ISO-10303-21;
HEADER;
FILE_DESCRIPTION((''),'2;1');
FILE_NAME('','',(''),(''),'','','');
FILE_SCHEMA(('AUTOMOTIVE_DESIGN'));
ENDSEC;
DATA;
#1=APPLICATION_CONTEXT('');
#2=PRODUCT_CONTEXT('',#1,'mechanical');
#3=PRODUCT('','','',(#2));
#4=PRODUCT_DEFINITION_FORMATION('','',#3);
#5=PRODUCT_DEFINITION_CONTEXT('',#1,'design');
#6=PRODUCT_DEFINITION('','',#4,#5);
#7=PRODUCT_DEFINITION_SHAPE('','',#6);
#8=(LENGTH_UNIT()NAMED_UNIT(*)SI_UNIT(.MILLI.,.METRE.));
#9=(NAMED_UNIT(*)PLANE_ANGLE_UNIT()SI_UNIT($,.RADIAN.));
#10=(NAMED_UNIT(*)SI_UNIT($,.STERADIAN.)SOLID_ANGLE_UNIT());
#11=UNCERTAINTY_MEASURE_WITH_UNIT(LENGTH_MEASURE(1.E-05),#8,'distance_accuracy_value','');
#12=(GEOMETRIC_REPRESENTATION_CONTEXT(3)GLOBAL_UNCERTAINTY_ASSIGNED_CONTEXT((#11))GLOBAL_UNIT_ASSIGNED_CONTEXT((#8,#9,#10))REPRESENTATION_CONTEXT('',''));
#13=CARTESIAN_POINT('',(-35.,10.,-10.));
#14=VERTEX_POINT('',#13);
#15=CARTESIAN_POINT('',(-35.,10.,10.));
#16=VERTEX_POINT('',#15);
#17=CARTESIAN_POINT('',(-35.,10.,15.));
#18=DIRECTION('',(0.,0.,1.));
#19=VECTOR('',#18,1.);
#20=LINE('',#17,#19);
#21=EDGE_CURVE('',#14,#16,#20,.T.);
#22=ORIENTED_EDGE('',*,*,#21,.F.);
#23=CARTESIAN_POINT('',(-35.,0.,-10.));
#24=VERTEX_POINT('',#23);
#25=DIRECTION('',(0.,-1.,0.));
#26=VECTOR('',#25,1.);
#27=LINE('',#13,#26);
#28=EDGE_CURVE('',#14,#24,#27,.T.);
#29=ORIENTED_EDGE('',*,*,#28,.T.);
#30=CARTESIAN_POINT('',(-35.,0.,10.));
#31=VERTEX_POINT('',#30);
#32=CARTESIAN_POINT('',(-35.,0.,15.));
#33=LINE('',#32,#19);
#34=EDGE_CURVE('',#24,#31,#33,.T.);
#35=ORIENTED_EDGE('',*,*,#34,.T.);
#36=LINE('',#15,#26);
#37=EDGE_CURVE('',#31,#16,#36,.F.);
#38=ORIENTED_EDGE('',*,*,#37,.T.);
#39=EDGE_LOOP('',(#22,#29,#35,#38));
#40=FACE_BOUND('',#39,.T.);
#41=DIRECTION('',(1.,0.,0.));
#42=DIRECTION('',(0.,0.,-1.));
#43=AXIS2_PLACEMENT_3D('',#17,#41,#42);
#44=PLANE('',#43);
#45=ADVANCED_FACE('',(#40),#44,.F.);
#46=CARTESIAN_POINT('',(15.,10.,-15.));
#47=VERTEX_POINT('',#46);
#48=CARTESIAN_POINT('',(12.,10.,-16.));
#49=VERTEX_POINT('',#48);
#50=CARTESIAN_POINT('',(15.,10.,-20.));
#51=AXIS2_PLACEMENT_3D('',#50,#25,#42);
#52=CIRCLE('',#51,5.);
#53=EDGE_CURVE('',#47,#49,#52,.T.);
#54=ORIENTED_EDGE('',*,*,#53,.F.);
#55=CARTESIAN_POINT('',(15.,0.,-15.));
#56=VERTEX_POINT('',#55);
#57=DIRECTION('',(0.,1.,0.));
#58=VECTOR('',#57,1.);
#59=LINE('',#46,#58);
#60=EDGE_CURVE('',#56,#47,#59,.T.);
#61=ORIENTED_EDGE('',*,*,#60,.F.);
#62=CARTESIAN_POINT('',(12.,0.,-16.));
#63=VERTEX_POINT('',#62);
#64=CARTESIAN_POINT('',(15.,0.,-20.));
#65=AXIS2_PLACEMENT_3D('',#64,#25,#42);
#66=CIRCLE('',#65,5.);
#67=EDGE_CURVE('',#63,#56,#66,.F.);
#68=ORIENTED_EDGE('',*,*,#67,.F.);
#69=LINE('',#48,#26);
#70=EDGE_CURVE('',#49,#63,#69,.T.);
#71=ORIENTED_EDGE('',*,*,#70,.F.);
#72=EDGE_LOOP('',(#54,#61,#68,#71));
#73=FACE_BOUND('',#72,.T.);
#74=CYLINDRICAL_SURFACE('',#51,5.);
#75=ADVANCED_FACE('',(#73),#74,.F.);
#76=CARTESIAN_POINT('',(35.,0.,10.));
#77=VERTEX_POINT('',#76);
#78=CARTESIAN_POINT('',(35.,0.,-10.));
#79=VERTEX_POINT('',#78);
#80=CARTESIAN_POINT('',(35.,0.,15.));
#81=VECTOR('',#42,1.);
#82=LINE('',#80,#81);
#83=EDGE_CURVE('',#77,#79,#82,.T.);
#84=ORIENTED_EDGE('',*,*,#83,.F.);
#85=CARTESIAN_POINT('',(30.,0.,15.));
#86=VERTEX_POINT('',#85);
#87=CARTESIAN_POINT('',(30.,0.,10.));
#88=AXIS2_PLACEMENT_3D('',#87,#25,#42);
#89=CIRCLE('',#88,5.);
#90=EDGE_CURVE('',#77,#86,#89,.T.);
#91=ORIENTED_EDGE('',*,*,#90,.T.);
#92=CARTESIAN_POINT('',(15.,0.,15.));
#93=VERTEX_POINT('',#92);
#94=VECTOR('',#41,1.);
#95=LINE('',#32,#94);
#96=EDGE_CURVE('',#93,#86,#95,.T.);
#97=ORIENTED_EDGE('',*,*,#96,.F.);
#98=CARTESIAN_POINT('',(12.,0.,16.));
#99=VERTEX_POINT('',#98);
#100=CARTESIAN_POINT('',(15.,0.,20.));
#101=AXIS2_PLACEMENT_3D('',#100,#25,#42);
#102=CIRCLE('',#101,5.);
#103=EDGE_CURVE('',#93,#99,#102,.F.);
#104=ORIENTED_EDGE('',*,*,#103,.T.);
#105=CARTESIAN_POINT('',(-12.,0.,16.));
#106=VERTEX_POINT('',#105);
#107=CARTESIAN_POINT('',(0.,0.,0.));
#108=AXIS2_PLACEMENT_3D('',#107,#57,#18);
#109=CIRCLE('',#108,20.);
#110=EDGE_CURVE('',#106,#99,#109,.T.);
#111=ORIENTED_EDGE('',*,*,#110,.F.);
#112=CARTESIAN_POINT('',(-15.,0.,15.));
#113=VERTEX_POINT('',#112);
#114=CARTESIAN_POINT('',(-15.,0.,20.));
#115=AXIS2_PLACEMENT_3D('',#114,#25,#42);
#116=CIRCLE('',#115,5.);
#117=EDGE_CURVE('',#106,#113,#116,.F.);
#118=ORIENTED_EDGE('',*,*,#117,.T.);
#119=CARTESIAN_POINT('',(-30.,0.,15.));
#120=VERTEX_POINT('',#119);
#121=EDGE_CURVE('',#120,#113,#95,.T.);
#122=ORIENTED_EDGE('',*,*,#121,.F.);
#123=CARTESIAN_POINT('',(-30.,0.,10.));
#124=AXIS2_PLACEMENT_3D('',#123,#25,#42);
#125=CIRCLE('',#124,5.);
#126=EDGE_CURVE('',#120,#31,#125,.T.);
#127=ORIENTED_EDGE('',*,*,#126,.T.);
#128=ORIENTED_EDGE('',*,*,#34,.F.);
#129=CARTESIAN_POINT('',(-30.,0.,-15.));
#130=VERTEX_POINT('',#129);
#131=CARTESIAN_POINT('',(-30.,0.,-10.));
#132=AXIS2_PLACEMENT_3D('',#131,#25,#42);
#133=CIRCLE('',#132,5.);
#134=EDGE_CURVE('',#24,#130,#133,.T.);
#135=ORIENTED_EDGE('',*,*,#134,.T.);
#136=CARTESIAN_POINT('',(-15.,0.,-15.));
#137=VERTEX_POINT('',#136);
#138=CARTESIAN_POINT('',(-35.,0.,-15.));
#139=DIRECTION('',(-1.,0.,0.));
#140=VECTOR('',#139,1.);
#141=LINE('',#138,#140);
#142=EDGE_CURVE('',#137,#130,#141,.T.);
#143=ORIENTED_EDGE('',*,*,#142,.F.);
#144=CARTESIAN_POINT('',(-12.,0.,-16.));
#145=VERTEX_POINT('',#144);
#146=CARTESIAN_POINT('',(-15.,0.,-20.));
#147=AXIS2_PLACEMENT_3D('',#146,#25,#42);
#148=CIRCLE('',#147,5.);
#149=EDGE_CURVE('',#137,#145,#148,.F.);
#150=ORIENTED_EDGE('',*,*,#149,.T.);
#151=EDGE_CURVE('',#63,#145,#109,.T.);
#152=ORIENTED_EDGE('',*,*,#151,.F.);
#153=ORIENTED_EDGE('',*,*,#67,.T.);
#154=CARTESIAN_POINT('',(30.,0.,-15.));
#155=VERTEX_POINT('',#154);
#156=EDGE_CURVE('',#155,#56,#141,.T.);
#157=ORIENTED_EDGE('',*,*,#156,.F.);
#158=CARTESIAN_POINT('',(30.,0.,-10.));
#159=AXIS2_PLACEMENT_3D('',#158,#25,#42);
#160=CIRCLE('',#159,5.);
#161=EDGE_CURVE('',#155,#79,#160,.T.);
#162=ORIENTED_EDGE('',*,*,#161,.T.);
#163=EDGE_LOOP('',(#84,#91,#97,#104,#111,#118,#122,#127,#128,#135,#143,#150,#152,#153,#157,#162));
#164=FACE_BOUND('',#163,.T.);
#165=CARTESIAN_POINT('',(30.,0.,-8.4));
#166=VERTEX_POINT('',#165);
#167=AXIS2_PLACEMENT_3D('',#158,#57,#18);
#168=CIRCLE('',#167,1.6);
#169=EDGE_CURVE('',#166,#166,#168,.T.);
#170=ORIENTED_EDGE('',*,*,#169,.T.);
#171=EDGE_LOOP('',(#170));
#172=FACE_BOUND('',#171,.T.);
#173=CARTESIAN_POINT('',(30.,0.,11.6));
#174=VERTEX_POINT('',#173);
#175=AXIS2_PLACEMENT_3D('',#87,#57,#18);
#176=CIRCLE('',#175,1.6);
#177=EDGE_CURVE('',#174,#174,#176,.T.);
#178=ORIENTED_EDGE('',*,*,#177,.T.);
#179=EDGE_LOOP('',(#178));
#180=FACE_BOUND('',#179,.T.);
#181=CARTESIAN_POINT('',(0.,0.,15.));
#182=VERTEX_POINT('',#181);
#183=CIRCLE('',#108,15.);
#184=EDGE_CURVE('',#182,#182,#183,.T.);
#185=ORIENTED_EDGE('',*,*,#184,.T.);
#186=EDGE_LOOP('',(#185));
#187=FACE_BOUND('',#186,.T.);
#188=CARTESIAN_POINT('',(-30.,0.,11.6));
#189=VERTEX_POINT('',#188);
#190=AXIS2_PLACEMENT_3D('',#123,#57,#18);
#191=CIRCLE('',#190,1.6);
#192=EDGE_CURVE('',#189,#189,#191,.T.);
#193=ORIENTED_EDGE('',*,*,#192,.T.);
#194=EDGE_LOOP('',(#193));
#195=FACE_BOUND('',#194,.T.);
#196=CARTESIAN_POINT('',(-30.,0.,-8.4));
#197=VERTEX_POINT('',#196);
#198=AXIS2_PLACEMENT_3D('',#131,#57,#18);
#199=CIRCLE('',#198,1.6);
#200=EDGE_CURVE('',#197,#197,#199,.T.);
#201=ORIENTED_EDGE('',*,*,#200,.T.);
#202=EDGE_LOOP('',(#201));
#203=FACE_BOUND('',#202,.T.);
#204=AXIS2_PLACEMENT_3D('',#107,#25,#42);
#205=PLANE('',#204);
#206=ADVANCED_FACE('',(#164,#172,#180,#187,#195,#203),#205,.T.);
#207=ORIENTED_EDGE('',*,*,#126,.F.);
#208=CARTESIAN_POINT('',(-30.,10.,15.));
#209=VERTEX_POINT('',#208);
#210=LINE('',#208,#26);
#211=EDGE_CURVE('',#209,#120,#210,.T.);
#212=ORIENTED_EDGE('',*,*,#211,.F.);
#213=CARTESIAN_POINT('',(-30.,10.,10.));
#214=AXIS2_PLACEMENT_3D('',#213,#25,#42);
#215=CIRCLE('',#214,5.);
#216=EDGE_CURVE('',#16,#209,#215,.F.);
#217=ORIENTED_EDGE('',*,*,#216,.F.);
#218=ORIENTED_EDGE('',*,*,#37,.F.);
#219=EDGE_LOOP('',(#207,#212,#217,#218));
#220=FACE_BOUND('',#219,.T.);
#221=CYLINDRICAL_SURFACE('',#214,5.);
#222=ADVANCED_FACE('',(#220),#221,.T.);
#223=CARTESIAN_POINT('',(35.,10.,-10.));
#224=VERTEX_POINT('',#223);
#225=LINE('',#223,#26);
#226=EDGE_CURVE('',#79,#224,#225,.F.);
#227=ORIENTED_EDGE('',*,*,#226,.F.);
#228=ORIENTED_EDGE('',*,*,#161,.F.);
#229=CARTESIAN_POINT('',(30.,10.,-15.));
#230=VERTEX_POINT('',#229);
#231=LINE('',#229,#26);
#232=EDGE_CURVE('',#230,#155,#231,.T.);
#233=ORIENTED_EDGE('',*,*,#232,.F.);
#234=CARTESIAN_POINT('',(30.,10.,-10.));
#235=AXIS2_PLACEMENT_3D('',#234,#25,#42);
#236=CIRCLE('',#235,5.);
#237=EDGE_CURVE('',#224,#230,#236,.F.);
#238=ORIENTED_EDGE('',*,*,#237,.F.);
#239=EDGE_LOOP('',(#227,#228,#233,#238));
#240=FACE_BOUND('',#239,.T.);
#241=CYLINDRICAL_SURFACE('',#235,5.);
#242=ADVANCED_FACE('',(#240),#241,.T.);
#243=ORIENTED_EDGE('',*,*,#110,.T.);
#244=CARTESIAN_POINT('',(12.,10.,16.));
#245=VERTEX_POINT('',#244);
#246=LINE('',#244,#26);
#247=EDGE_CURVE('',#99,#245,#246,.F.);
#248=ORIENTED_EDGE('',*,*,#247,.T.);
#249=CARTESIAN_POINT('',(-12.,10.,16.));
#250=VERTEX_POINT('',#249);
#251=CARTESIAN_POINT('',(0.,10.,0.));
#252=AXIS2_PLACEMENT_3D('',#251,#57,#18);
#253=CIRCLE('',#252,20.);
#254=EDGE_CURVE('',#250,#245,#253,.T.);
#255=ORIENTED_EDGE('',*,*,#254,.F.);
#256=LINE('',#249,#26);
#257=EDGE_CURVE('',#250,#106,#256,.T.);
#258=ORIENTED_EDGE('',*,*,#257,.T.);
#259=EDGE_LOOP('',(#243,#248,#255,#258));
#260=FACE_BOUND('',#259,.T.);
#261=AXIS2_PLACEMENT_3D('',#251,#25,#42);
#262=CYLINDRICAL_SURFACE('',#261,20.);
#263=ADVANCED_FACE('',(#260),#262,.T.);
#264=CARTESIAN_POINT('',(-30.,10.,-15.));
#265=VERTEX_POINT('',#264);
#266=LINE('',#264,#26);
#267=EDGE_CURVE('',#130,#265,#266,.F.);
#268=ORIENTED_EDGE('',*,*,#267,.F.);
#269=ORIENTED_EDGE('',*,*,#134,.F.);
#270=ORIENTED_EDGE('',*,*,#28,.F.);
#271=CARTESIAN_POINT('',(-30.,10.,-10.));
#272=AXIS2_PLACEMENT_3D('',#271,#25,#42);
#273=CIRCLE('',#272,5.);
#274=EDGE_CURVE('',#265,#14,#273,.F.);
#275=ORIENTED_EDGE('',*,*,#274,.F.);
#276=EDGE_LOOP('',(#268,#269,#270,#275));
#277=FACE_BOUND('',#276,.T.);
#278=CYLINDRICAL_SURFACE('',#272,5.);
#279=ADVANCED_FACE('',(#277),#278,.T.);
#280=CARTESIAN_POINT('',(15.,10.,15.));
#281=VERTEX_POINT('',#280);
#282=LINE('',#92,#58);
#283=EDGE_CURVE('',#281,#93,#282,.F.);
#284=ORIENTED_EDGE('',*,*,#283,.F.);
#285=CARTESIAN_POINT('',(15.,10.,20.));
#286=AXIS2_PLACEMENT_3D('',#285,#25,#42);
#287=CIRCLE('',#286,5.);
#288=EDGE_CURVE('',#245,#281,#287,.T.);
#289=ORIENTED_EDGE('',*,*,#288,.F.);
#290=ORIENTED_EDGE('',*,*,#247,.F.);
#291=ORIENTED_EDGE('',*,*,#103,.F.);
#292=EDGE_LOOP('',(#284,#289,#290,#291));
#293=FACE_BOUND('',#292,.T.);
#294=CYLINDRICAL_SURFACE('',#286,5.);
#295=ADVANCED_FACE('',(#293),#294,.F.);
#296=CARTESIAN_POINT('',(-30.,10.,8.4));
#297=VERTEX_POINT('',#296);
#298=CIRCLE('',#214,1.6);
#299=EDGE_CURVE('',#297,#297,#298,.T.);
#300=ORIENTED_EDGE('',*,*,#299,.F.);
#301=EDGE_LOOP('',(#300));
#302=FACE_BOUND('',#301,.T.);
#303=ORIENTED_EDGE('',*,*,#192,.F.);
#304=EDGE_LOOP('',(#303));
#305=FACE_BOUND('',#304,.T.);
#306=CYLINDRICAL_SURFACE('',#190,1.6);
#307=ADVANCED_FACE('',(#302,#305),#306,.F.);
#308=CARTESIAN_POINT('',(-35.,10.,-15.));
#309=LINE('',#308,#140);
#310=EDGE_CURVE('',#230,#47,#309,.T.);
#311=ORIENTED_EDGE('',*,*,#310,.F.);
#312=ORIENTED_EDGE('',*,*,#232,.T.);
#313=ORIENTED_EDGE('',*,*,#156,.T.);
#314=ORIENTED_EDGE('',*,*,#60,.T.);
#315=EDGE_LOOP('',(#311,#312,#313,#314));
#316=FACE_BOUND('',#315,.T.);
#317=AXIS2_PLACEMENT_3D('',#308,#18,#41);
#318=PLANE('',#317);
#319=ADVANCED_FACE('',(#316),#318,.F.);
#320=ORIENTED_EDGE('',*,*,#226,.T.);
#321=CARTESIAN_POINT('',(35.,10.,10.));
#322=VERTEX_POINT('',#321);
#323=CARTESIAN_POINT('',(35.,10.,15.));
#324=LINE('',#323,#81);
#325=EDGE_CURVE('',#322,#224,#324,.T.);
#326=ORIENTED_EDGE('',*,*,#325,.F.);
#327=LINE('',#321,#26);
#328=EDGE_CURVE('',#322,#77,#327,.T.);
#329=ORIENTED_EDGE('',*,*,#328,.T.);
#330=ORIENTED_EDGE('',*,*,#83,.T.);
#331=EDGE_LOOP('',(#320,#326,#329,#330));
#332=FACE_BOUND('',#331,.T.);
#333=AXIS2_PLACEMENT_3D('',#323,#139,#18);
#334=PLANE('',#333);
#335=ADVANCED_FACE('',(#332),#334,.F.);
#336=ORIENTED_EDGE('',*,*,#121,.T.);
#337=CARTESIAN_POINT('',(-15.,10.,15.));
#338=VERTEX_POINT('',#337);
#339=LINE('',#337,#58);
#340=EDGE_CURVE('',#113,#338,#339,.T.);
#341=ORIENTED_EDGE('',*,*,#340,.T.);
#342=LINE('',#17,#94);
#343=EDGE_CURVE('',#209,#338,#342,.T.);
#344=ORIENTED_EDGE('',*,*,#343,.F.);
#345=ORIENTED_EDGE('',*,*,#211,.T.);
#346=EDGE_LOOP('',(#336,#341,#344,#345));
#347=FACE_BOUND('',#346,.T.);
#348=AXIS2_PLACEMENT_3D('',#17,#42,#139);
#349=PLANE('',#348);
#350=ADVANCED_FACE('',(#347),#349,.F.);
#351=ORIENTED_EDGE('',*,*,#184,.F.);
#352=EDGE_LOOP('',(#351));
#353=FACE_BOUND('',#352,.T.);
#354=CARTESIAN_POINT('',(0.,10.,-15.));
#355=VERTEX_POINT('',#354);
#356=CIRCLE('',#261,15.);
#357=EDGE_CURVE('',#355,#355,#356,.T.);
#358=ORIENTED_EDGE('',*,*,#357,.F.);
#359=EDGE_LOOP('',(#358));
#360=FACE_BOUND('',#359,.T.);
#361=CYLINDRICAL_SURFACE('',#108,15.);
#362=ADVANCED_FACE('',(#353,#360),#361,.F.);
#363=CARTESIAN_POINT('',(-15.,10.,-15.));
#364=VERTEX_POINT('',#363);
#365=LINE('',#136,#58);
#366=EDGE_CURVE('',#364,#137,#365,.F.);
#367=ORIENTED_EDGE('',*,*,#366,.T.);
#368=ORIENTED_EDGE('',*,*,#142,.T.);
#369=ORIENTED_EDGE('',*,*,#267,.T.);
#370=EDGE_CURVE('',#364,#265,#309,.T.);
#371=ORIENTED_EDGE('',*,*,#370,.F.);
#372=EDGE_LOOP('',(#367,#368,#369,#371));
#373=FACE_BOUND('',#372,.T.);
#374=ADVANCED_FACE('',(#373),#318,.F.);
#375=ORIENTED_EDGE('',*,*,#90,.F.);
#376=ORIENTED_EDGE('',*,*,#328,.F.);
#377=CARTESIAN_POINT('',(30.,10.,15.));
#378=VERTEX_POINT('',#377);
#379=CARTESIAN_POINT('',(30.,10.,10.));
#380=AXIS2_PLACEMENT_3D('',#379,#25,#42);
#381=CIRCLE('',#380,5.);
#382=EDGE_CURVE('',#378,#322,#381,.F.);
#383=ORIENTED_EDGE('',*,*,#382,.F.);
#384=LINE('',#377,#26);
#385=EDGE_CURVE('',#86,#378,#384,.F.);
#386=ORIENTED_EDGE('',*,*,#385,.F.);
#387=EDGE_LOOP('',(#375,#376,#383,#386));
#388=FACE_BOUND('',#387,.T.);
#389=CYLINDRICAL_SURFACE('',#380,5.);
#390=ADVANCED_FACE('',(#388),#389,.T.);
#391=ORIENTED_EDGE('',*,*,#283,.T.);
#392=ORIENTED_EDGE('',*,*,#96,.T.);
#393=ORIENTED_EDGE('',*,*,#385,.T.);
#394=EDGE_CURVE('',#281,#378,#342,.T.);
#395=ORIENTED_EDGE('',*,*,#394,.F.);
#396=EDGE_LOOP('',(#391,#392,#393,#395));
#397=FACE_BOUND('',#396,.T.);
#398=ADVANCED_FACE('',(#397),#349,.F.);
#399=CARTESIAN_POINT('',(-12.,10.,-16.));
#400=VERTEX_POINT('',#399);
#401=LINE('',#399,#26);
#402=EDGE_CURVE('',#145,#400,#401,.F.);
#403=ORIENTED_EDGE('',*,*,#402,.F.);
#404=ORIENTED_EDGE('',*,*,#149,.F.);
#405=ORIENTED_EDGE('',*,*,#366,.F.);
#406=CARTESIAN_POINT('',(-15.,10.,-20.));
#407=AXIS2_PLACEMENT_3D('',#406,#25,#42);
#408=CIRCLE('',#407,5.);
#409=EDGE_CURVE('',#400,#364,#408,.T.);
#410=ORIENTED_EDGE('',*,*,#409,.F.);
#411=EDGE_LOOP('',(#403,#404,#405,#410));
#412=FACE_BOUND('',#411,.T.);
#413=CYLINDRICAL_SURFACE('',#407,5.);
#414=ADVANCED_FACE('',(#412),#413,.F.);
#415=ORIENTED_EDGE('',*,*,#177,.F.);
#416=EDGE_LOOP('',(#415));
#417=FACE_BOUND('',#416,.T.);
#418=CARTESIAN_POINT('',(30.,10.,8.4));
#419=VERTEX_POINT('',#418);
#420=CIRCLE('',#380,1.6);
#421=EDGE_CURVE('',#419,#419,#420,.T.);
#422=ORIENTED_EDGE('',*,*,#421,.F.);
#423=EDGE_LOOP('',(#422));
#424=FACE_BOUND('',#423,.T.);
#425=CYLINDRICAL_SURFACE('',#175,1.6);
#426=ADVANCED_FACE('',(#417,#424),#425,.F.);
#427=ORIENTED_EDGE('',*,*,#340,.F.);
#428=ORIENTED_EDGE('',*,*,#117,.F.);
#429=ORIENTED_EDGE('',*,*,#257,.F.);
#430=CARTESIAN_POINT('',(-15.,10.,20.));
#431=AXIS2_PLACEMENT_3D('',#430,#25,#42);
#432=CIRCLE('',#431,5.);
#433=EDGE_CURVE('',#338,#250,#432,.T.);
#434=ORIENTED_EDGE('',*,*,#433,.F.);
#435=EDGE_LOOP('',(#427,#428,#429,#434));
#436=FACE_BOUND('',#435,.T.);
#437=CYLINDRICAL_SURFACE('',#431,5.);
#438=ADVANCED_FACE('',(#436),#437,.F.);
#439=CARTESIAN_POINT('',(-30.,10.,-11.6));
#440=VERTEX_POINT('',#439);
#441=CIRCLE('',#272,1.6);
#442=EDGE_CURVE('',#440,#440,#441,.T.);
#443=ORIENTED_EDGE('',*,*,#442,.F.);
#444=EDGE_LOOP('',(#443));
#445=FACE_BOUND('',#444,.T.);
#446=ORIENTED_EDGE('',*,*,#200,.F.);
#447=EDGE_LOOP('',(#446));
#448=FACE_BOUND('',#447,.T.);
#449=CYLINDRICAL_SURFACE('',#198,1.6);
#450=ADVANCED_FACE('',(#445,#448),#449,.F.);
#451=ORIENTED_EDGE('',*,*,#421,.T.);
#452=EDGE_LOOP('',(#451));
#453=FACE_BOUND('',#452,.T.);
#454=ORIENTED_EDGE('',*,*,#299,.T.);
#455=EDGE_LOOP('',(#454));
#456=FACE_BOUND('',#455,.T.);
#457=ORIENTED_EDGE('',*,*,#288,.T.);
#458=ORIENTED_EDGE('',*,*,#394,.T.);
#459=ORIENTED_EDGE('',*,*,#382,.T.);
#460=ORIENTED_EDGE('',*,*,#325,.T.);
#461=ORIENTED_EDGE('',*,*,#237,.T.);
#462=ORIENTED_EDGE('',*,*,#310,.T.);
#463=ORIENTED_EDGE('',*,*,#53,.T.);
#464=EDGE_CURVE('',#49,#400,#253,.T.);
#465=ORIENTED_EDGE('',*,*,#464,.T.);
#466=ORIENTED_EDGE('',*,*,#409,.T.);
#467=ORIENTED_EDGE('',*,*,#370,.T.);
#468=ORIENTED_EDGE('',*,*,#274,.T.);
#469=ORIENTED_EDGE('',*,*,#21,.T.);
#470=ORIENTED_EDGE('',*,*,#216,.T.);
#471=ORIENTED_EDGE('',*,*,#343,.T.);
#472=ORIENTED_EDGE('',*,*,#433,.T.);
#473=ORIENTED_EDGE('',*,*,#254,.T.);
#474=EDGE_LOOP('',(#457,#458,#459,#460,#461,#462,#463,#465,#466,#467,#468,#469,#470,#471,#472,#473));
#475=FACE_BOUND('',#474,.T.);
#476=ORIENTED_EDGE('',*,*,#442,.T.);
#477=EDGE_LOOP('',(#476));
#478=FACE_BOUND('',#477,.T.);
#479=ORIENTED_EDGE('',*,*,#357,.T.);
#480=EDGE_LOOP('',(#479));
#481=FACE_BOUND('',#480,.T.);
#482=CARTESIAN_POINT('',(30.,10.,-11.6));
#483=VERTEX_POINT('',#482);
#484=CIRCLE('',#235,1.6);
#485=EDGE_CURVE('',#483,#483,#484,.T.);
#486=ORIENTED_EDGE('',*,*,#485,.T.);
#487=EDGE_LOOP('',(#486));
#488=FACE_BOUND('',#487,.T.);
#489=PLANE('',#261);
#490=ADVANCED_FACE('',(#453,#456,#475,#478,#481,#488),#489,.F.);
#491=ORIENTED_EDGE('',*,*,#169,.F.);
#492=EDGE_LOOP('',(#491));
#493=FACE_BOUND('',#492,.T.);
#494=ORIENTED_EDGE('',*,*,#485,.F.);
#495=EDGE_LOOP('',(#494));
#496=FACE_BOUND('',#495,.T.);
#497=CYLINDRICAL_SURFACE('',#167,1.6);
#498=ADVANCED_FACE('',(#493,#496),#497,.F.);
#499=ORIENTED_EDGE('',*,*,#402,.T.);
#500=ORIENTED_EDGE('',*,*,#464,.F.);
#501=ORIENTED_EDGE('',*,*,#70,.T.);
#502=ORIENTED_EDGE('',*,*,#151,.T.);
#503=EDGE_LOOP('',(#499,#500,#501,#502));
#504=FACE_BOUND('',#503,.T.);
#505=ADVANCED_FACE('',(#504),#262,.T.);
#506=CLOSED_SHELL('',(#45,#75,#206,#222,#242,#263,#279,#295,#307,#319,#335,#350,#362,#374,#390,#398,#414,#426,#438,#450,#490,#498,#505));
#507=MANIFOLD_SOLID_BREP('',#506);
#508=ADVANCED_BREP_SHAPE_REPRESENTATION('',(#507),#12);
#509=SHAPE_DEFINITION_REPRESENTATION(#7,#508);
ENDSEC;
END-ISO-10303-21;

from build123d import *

# Parameters (mm, degrees)
SKETCH1_W               = 70
SKETCH1_H               = 30
BOSS_EXTRUDE1_DEPTH     = 10
SKETCH2_R               = 20
BOSS_EXTRUDE2_DEPTH     = 10
CUT_EXTRUDE1_DEPTH      = 42.533119315
CUT_EXTRUDE1_DEPTH_BACK = 42.533119315
SKETCH3_R               = 15
CUT_EXTRUDE2_DEPTH      = 42.533119315
CUT_EXTRUDE2_DEPTH_BACK = 42.533119315
SKETCH4_R               = 1.6
FILLET1_R               = 5


with BuildPart() as part:
    # Sketch1 → Boss-Extrude1 (new body)
    with BuildSketch(Plane(origin=(0, 0, 0), x_dir=(1, 0, 0), z_dir=(0, 1, 0))):
        Rectangle(SKETCH1_W, SKETCH1_H)
    extrude(amount=BOSS_EXTRUDE1_DEPTH)

    # Sketch2 → Boss-Extrude2 (add)
    with BuildSketch(Plane(origin=(0, 0, 0), x_dir=(1, 0, 0), z_dir=(0, 1, 0))):
        Circle(SKETCH2_R)
    extrude(amount=BOSS_EXTRUDE2_DEPTH)

    # Sketch3 → Cut-Extrude1 (cut, two sides: drawn at the far end of the back side and taken through both)
    with BuildSketch(Plane(origin=(0, 10, 0), x_dir=(1, 0, 0), z_dir=(0, 1, 0)).offset(-CUT_EXTRUDE1_DEPTH_BACK)):
        with Locations(Location((0, 0, 0), (0, 0, 270))):
            Circle(SKETCH3_R)
    extrude(amount=CUT_EXTRUDE1_DEPTH + CUT_EXTRUDE1_DEPTH_BACK, mode=Mode.SUBTRACT)

    # Sketch4 → Cut-Extrude2 (cut, two sides: drawn at the far end of the back side and taken through both)
    with BuildSketch(Plane(origin=(0, 10, 0), x_dir=(1, 0, 0), z_dir=(0, 1, 0)).offset(-CUT_EXTRUDE2_DEPTH_BACK)):
        with Locations(Location((-30, 10, 0), (0, 0, 270))):
            Circle(SKETCH4_R)
        with Locations(Location((30, -10, 0), (0, 0, 270))):
            Circle(SKETCH4_R)
        with Locations(Location((30, 10, 0), (0, 0, 270))):
            Circle(SKETCH4_R)
        with Locations(Location((-30, -10, 0), (0, 0, 270))):
            Circle(SKETCH4_R)
    extrude(amount=CUT_EXTRUDE2_DEPTH + CUT_EXTRUDE2_DEPTH_BACK, mode=Mode.SUBTRACT)

    # Fillet1
    fillet1_edges = [part.edges().sort_by_distance(p)[0] for p in [
        (-13.228756555, 5, -15),
        (13.228756555, 5, -15),
        (13.228756555, 5, 15),
        (-13.228756555, 5, 15),
        (35, 5, 15),
        (-35, 5, 15),
        (-35, 5, -15),
        (35, 5, -15),
    ]]
    fillet(fillet1_edges, radius=FILLET1_R)


solid = part.part
